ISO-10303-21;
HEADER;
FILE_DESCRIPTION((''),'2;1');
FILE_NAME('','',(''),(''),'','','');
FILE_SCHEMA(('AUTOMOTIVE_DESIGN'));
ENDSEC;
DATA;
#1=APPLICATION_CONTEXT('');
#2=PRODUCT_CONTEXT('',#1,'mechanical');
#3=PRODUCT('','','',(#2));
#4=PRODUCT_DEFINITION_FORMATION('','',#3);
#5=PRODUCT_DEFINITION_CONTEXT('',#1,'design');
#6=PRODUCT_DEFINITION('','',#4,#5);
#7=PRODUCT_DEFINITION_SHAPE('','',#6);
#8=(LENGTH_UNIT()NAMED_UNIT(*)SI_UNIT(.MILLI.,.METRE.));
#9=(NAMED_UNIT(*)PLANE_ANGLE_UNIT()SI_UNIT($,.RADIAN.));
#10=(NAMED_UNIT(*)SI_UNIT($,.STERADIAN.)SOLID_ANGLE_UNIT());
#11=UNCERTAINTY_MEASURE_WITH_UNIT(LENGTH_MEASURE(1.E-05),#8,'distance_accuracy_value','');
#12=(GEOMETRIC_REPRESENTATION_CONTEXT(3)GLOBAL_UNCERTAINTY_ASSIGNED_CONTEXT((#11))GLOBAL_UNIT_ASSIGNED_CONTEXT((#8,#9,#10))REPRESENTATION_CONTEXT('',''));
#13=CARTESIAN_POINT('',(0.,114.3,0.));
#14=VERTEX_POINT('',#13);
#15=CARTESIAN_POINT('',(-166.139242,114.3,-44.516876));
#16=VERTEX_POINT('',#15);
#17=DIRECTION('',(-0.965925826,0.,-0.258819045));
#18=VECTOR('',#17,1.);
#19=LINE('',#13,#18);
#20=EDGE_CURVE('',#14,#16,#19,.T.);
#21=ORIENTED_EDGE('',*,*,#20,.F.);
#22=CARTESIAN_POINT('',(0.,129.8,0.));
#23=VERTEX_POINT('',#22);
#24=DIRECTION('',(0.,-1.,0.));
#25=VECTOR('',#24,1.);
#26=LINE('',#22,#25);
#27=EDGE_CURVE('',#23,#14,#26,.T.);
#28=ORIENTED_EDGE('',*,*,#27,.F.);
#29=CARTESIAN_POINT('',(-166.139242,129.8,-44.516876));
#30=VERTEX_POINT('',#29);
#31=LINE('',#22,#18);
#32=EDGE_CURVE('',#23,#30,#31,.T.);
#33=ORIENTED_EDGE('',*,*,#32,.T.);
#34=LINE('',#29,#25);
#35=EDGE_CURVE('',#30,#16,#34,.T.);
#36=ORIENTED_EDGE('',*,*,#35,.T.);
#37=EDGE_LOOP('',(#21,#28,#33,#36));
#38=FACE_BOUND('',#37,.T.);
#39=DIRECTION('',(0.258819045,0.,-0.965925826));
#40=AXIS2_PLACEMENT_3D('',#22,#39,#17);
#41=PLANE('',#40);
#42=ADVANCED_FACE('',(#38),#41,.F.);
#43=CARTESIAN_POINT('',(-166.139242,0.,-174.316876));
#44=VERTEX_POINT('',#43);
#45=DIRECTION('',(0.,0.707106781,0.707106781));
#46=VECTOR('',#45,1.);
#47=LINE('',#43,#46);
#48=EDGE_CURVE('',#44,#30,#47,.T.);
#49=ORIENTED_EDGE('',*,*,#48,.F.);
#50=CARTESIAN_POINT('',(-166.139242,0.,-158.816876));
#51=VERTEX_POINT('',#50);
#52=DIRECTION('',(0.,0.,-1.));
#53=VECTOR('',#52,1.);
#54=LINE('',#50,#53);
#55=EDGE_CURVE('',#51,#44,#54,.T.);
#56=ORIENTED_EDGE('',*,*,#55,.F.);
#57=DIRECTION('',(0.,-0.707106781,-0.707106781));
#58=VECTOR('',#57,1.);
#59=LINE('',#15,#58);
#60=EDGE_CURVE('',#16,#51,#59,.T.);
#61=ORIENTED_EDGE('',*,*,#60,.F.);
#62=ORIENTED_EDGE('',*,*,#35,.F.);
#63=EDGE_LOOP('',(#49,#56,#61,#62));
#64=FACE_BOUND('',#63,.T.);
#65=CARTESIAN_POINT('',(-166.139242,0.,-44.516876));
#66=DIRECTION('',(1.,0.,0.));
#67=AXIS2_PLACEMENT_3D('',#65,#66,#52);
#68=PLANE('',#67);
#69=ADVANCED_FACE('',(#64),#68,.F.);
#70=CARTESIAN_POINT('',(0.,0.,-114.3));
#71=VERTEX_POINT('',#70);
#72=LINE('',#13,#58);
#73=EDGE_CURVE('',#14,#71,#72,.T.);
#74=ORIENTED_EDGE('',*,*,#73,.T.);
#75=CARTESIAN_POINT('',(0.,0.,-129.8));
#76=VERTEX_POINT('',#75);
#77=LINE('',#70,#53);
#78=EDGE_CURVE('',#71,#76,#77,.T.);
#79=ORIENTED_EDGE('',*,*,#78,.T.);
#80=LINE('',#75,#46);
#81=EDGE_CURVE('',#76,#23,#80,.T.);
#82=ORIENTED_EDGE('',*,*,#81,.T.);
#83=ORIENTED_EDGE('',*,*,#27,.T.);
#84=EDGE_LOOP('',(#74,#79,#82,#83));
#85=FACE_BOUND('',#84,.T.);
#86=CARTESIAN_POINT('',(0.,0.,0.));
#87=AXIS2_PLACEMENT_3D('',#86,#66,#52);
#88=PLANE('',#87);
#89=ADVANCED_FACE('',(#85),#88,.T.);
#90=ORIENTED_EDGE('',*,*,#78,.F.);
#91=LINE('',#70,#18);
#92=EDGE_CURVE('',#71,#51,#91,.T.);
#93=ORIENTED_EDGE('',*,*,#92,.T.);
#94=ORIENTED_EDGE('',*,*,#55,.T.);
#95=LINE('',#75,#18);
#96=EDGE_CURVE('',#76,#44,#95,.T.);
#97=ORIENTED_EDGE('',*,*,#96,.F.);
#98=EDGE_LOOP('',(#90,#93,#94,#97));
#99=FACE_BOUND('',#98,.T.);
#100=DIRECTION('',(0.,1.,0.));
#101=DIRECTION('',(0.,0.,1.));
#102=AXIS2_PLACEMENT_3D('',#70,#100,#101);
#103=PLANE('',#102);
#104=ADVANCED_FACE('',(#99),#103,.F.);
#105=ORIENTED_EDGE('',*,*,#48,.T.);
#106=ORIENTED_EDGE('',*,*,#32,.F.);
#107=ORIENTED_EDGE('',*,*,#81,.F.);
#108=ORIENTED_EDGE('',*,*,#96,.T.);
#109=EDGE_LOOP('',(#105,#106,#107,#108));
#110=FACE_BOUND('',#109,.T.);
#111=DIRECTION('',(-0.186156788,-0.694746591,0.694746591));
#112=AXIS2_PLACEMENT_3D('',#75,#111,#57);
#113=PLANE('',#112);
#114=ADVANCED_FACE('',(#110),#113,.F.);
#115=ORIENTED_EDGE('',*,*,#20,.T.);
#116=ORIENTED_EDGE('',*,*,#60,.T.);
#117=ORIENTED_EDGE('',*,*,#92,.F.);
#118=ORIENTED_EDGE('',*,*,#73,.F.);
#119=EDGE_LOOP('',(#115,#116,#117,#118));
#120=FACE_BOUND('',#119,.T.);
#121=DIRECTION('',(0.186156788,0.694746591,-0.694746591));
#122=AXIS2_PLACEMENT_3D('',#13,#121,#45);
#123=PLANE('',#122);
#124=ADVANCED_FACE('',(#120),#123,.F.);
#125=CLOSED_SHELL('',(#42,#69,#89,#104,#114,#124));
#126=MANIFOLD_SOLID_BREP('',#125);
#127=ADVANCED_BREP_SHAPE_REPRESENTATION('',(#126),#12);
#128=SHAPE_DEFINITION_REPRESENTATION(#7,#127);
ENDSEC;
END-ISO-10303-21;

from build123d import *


with BuildPart() as part:
    # Sweep1: sweep along a path in Sketch2
    with BuildLine(Plane(origin=(0, 0, 0), x_dir=(1, 0, 0), z_dir=(0, 1, 0))) as sweep1_path:
        Line((0, 129.8), (-166.139242122, 174.316875758))
    # Sketch1 → Sweep1 (sweep)
    with BuildSketch(Plane(origin=(0, 0, 0), x_dir=(0, 0, -1), z_dir=(1, 0, 0))):
        Polygon((0, 114.3), (114.3, 0), (129.8, 0), (0, 129.8), align=None)
    sweep(path=sweep1_path.line)


solid = part.part
